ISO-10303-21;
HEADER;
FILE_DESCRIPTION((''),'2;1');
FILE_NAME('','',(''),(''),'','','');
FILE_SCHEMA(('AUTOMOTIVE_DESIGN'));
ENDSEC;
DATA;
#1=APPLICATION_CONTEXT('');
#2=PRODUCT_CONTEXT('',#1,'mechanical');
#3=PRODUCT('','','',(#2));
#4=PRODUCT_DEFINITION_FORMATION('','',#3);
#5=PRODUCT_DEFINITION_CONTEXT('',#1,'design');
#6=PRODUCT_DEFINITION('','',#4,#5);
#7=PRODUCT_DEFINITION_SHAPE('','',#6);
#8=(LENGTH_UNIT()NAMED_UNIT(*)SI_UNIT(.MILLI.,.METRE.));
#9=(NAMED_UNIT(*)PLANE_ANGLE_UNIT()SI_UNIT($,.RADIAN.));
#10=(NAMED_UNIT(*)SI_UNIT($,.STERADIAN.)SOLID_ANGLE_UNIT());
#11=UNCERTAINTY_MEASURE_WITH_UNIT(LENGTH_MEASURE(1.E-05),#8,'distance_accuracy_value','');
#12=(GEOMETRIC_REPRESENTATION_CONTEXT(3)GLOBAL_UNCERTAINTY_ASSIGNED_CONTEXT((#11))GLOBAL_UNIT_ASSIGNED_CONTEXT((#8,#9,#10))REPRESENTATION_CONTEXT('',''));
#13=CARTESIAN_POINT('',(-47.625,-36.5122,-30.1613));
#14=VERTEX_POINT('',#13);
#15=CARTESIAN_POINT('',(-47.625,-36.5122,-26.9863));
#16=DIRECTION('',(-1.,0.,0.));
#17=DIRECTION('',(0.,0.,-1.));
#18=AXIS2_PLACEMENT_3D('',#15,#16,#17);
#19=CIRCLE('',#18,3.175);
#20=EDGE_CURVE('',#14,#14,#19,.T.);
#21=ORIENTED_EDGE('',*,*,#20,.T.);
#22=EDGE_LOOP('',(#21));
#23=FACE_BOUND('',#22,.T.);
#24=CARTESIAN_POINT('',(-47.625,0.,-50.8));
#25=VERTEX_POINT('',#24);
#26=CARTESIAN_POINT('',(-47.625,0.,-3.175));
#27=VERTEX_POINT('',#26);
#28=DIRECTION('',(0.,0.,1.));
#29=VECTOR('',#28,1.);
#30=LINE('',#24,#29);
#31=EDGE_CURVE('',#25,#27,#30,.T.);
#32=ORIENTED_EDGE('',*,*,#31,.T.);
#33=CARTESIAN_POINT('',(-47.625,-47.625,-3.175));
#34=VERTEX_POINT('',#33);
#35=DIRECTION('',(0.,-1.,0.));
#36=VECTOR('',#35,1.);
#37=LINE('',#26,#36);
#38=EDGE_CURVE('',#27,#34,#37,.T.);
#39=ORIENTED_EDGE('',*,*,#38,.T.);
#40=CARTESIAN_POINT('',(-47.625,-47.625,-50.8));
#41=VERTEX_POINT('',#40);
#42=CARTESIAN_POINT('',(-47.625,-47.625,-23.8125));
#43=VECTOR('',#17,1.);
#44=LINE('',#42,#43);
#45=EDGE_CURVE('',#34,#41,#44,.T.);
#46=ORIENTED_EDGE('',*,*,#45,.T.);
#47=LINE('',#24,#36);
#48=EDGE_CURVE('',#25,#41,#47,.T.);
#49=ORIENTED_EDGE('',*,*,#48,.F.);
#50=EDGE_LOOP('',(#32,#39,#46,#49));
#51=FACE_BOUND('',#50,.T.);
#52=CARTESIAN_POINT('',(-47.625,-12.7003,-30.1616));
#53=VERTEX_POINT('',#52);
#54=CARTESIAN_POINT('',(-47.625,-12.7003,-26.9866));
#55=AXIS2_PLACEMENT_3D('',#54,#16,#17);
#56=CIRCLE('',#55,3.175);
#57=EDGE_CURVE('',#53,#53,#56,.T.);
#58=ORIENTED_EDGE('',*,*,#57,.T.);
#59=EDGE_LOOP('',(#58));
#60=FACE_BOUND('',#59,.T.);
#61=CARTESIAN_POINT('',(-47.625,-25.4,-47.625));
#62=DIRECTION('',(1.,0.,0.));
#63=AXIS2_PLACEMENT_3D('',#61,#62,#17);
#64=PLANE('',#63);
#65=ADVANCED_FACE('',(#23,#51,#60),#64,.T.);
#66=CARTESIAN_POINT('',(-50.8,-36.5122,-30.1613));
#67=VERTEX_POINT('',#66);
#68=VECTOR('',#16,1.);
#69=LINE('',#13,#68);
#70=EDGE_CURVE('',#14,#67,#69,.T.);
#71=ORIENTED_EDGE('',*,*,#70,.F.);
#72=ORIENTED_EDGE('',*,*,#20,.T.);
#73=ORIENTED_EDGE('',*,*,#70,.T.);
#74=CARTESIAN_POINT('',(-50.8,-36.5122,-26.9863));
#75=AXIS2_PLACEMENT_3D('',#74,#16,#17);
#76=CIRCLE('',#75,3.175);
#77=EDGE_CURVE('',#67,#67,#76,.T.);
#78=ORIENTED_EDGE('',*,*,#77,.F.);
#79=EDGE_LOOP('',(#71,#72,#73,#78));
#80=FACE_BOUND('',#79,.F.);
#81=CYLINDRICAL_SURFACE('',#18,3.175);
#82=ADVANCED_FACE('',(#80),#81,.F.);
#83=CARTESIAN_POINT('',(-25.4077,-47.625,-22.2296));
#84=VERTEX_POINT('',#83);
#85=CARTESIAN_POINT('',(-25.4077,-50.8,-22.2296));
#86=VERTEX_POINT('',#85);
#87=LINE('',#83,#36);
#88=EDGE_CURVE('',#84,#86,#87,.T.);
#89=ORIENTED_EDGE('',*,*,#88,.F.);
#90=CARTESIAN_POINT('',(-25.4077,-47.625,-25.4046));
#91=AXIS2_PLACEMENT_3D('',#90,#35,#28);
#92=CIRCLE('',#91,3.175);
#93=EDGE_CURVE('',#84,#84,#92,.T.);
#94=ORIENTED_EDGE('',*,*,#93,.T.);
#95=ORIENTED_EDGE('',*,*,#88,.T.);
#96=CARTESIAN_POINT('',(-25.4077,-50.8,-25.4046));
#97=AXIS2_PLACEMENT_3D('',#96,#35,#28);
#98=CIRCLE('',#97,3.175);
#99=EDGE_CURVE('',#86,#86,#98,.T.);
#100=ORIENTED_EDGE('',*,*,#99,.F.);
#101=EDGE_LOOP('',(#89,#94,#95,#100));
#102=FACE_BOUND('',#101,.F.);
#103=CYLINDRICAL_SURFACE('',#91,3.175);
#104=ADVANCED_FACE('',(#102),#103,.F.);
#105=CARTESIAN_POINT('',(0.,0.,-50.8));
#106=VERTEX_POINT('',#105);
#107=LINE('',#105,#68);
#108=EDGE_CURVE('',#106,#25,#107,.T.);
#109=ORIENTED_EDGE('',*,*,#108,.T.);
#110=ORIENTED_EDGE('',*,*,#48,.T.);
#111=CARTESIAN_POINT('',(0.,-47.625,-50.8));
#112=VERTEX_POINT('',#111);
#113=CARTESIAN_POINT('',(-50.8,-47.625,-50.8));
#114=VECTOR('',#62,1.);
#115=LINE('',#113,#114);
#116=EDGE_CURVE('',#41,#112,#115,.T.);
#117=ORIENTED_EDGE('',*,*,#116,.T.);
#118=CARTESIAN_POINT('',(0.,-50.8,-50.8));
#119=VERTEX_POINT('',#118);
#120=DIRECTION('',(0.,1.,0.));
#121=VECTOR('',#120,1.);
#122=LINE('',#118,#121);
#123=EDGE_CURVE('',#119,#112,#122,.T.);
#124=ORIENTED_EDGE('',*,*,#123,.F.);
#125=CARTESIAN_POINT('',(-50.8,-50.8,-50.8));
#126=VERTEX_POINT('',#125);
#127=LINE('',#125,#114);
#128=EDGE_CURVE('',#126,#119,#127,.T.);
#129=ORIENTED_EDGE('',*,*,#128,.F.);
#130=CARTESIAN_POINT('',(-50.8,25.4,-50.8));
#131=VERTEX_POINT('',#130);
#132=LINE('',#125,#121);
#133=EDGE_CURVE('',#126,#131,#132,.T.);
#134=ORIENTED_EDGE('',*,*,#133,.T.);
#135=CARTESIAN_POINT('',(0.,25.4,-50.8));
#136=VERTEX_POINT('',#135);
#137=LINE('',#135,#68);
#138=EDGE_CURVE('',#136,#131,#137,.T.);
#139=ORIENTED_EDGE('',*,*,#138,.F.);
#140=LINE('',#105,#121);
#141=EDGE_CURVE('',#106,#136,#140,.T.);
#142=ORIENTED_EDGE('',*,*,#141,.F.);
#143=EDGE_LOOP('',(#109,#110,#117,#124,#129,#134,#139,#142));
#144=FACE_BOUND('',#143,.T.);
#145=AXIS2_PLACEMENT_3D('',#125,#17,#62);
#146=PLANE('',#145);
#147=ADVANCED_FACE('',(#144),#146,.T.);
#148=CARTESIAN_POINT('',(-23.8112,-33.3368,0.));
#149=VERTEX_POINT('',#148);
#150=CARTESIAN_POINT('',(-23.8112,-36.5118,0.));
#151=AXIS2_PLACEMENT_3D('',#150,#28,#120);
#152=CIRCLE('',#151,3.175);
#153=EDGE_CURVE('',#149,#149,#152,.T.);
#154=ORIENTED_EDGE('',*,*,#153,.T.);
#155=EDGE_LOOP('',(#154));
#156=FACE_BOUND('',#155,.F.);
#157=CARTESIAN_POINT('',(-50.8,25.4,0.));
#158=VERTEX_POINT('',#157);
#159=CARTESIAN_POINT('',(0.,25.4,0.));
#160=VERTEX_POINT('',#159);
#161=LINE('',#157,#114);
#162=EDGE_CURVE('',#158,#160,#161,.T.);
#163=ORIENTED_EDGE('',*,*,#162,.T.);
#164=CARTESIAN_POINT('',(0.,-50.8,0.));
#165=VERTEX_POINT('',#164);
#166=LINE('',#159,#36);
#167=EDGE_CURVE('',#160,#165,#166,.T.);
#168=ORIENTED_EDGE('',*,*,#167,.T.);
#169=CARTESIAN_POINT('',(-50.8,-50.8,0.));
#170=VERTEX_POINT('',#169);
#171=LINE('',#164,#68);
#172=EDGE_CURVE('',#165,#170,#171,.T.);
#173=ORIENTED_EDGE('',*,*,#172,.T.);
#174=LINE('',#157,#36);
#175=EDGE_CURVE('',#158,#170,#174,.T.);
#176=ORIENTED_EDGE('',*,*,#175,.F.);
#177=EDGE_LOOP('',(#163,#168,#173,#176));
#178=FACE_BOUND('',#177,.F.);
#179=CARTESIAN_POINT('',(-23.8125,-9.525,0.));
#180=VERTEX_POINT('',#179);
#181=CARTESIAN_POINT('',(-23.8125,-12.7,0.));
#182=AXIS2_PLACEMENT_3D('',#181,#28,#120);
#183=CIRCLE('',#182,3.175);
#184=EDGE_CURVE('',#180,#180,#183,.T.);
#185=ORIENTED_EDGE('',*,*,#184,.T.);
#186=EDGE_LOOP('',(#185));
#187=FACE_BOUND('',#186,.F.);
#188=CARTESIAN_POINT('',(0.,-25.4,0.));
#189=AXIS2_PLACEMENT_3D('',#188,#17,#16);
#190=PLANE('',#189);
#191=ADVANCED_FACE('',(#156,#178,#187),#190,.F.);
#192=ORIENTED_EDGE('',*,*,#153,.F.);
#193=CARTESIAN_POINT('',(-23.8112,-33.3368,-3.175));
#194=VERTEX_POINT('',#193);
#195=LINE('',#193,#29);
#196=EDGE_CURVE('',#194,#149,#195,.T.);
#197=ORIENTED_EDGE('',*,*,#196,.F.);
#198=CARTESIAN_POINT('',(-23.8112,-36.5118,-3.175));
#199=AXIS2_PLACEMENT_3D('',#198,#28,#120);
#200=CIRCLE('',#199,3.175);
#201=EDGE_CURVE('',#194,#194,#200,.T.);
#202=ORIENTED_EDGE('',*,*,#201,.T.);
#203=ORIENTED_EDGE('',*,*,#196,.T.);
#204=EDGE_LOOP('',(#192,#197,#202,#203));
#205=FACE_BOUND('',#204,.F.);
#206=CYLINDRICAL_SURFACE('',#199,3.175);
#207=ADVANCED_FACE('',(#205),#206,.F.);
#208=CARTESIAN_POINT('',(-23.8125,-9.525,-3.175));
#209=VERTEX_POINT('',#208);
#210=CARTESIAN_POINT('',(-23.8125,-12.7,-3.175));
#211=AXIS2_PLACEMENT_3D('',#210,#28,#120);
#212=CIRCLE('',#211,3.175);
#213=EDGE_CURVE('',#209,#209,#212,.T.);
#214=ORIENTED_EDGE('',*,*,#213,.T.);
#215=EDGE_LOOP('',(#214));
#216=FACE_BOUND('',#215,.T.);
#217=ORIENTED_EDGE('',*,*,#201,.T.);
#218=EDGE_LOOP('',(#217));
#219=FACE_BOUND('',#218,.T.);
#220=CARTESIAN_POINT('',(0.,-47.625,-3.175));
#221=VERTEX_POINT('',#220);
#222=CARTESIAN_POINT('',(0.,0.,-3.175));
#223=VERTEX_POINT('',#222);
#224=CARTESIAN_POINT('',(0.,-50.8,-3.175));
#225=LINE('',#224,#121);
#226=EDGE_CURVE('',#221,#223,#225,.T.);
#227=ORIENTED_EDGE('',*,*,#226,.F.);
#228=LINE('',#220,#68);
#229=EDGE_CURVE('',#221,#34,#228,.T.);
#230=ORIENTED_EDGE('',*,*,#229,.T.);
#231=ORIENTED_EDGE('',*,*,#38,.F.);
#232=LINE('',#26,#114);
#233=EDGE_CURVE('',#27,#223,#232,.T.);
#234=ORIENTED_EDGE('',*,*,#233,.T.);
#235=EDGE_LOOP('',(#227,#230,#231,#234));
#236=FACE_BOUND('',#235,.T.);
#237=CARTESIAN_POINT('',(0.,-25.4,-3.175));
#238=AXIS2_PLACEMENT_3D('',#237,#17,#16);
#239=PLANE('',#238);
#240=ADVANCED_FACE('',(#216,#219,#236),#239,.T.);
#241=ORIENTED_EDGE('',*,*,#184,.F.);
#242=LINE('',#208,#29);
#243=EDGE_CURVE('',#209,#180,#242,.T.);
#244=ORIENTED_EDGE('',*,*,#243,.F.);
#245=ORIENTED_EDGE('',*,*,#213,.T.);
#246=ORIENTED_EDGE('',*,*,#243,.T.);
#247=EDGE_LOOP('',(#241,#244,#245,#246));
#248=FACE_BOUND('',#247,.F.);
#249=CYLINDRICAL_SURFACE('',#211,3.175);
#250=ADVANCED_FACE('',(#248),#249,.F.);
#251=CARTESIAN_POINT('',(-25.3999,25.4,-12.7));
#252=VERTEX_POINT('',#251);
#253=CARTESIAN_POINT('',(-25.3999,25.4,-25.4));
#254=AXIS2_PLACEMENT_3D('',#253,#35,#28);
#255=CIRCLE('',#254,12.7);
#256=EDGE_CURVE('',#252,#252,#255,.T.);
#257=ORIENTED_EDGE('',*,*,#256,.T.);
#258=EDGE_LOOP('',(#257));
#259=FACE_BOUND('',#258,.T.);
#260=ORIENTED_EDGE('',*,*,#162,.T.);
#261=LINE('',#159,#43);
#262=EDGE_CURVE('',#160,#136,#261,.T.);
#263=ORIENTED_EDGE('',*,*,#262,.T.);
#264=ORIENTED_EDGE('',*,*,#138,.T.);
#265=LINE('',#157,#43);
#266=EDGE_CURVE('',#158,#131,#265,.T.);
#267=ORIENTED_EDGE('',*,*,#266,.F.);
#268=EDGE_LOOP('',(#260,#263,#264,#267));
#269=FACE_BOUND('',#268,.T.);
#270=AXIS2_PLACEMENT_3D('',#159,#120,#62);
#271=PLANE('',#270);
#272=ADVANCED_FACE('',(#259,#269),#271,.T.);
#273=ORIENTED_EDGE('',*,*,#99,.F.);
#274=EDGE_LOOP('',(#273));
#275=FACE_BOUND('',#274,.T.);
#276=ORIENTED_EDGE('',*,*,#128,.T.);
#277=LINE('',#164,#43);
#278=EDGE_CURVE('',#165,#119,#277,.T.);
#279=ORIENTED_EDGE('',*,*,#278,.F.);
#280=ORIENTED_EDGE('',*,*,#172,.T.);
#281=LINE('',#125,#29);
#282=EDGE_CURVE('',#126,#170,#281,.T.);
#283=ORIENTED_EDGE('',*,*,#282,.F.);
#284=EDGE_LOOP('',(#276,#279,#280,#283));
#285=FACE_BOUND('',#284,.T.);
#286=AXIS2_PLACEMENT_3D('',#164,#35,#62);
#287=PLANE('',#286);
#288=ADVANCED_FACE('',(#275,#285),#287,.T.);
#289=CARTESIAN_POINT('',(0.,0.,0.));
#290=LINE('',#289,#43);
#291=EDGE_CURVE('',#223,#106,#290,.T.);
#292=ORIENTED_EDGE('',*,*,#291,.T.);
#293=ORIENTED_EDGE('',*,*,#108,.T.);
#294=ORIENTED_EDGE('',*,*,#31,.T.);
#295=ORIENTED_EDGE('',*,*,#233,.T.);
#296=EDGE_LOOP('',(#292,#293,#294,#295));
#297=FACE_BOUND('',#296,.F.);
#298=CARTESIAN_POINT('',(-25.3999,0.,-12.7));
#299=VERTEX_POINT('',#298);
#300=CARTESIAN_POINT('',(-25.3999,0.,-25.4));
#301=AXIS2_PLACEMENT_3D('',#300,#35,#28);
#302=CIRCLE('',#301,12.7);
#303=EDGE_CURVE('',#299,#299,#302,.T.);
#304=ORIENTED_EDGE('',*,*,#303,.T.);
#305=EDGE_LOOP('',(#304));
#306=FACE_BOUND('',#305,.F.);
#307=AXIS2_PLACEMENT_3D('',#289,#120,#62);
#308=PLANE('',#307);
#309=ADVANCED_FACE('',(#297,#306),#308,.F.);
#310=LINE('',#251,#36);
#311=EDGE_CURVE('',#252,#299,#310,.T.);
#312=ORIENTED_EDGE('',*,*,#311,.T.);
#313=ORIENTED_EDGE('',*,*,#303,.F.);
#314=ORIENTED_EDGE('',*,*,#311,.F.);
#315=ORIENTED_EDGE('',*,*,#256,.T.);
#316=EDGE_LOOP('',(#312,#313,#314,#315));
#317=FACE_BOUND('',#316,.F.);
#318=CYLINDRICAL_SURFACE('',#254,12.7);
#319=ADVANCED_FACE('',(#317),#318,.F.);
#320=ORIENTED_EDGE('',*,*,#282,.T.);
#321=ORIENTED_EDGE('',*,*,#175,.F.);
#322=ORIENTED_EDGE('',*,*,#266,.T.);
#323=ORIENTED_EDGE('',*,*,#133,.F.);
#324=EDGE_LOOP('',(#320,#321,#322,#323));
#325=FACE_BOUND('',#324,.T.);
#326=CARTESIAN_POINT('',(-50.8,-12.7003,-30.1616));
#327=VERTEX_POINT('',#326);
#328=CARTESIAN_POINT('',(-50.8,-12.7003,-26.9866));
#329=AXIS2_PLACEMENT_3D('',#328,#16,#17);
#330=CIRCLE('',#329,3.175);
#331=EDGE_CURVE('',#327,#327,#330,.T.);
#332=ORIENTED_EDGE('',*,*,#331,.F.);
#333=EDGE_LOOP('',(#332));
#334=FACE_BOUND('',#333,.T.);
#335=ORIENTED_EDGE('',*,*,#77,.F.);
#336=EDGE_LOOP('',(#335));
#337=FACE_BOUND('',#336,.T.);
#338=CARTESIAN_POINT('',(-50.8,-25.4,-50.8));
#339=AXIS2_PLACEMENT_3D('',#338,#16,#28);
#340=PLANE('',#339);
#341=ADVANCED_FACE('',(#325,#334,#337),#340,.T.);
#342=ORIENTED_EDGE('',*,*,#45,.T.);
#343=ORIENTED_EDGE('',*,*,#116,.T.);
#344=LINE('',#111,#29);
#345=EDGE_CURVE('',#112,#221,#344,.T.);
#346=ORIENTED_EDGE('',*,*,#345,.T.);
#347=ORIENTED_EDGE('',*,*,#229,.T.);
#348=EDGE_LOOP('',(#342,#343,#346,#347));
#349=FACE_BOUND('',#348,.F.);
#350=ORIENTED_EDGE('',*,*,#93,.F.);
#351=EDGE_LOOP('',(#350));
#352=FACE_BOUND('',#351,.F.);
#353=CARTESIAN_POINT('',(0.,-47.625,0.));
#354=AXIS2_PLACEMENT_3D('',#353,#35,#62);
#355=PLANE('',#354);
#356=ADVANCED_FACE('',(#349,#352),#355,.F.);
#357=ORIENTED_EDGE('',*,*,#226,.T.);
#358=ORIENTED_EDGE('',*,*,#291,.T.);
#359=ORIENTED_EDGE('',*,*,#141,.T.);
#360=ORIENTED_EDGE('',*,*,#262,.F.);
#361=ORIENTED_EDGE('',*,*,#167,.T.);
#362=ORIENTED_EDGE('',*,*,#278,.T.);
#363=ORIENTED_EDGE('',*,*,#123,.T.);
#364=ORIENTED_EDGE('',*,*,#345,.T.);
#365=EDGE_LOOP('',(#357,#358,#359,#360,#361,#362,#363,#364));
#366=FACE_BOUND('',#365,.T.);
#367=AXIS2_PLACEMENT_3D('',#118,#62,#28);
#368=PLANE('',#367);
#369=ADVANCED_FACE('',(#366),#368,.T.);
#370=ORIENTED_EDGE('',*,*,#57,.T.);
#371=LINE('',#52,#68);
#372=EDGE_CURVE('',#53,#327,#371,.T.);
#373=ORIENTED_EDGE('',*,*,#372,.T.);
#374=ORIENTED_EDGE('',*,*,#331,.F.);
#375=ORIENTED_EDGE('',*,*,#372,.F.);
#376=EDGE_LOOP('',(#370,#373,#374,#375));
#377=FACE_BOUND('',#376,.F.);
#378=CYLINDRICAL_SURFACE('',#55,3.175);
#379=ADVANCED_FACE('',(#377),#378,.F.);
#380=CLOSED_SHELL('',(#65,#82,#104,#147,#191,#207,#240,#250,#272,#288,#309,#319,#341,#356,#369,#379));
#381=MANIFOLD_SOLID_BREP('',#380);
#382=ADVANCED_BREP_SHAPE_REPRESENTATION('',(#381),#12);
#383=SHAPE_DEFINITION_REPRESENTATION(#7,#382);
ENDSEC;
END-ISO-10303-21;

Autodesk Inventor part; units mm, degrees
ref_plane "YZ Plane" through (0, 0, 0) normal (1, 0, 0) x (0, 1, 0)
ref_plane "XZ Plane" through (0, 0, 0) normal (0, 1, 0) x (-1, 0, 0)
ref_plane "XY Plane" through (0, 0, 0) normal (0, 0, 1) x (1, 0, 0)
sketch "Sketch1" plane through (0, 0, 0) normal (0, 1, 0) x (-1, 0, 0)
  line L0 (0, 0) -> (50.8, 0)
  line L1 (50.8, 0) -> (50.8, -50.8)
  line L2 (50.8, -50.8) -> (0, -50.8)
  line L3 (0, -50.8) -> (0, 0)
  line L4 (47.625, -3.175) -> (3.175, -3.175)
  line L5 (3.175, -3.175) -> (3.175, -47.625)
  line L6 (3.175, -47.625) -> (47.625, -47.625)
  line L7 (47.625, -47.625) -> (47.625, -3.175)
  line L8 (47.625, -47.625) -> (47.625, -50.8)
  line L9 (3.175, -3.175) -> (0, -3.175)
  dimension "d0" = 50.8
  dimension "d1" = 50.8
  dimension "d2" = 3.175
extrude "Extrusion1" add sketch "Sketch1" against normal blind 25.4 contours L0 L1 L2 L8 L7 L4 L9 L3
sketch "Sketch2" plane through (0, 0, 0) normal (0, 1, 0) x (1, 0, 0)
  line L0 (-50.8, 0) -> (-50.8, 50.8) projected
  line L1 (-50.8, 0) -> (0, 0)
  line L2 (0, 0) -> (0, 50.8)
  line L3 (0, 50.8) -> (-50.8, 50.8)
  line L4 (-50.8, 50.8) -> (-50.8, 0)
  dimension "d5" = 50.8
extrude "Extrusion2" add sketch "Sketch2" along normal blind 25.4
sketch "Sketch3" plane through (0, 25.4, 0) normal (0, 1, 0) x (1, 0, 0)
  line L0 (-50.8, 0) -> (-50.8, 50.8) construction
  line L1 (-50.8, 0) -> (0, 50.8) construction
  line L2 (0, 0) -> (-50.8, 0) construction
  line L3 (0, 0) -> (-50.8, 50.8) construction
  point P0 (-25.61, 25.3161)
sketch "Sketch4" plane through (0, 25.4, 0) normal (0, 1, 0) x (1, 0, 0)
  point P0 (0, 0)
  point P1 (-25.3999, 25.4)
hole "Hole1" at (-25.3999, 25.4, -25.4) direction (0, -1, 0) diameter 25.4 end through all
sketch "Sketch5" plane through (0, -25.4, -3.175) normal (0, 0, -1) x (-1, 0, 0)
  line L0 (0, 25.4) -> (0, 0) construction
  line L1 (47.625, 0) -> (0, 0) construction
  line L2 (0, 25.4) -> (47.625, 0) construction
  line L3 (0, 25.4) -> (47.625, 25.4) construction
  line L4 (0, 0) -> (47.625, 25.4) construction
sketch "Sketch6" plane through (0, -25.4, -3.175) normal (0, 0, -1) x (-1, 0, 0)
  point P0 (0, 25.4)
  point P1 (23.8125, 12.7)
hole "Hole2" at (-23.8125, -12.7, -3.175) direction (0, 0, 1) diameter 6.35 end through all
sketch "Sketch7" plane through (-47.625, -25.4, -3.175) normal (1, 0, 0) x (0, 0, -1)
  line L0 (47.625, 0) -> (0, 0) construction
  line L1 (0, 25.4) -> (0, 0) construction
  line L2 (47.625, 0) -> (0, 25.4) construction
  line L3 (47.625, 25.4) -> (47.625, 0) construction
  line L4 (0, 0) -> (47.625, 25.4) construction
  point P0 (-3.175, 25.4)
sketch "Sketch8" plane through (-47.625, -25.4, -3.175) normal (1, 0, 0) x (0, 0, -1)
  point P0 (-3.175, 25.4)
  point P1 (23.8116, 12.6997)
hole "Hole3" at (-47.625, -12.7003, -26.9866) direction (-1, 0, 0) diameter 6.35 end through all
sketch "Sketch9" plane through (0, -25.4, 0) normal (0, -1, 0) x (1, 0, 0)
  line L0 (-50.8, -50.8) -> (-50.8, 0) projected
  line L1 (0, 0) -> (-50.8, 0)
  line L2 (-50.8, 0) -> (-50.8, -50.8)
  line L3 (-50.8, -50.8) -> (0, -50.8)
  line L4 (0, -50.8) -> (0, 0)
  line L5 (-47.625, -3.175) -> (-3.175, -3.175)
  line L6 (-3.175, -3.175) -> (-3.175, -47.625)
  line L7 (-3.175, -47.625) -> (-47.625, -47.625)
  line L8 (-47.625, -47.625) -> (-47.625, -3.175)
  line L9 (0, -3.175) -> (-47.625, -3.175) projected
  line L10 (-3.175, -3.175) -> (0, -3.175)
  line L11 (-47.625, -47.625) -> (-47.625, -50.8)
  point P0 (-3.175, -3.175)
extrude "Extrusion3" add sketch "Sketch9" along normal blind 25.4 contours L0 L1 L4 L9 L5 L8 L11 L3
sketch "Sketch10" plane through (0, -50.8, 0) normal (0, -1, 0) x (1, 0, 0)
  line L0 (0, 0) -> (-50.8, 0)
  line L1 (-50.8, 0) -> (-50.8, -50.8)
  line L2 (-50.8, -50.8) -> (0, -50.8)
  line L3 (0, -50.8) -> (0, 0)
extrude "Extrusion4" add sketch "Sketch10" against normal blind 3.175
sketch "Sketch11" plane through (0, 0, -3.175) normal (0, 0, -1) x (-1, 0, 0)
  line L0 (47.625, 0) -> (47.625, -47.625) construction
  line L1 (47.625, -47.625) -> (0, -25.4001) construction
  line L2 (0, 0) -> (0, -47.625) construction
  line L3 (0, -47.625) -> (47.625, -47.625) construction
  line L4 (47.625, -25.4001) -> (0, -47.625) construction
sketch "Sketch12" plane through (0, 0, -3.175) normal (0, 0, -1) x (-1, 0, 0)
  point P0 (0, 0)
  point P1 (23.8112, -36.5118)
hole "Hole4" at (-23.8112, -36.5118, -3.175) direction (0, 0, 1) diameter 6.35 end through all
sketch "Sketch13" plane through (-47.625, 0, -3.175) normal (1, 0, 0) x (0, 0, -1)
  line L0 (0, 0) -> (0, -47.625) construction
  line L1 (0, -47.625) -> (47.625, -47.625) construction
  line L2 (0, -25.4031) -> (47.625, -47.625) construction
  line L3 (0, -47.625) -> (47.625, -25.4031) construction
  line L4 (47.625, 0) -> (47.625, -47.625) construction
  point P0 (-3.175, 0)
sketch "Sketch14" plane through (-47.625, 0, -3.175) normal (1, 0, 0) x (0, 0, -1)
  point P0 (-3.175, 0)
  point P1 (23.8113, -36.5122)
hole "Hole5" at (-47.625, -36.5122, -26.9863) direction (-1, 0, 0) diameter 6.35 end through all
sketch "Sketch15" plane through (0, -47.625, 0) normal (0, 1, 0) x (1, 0, 0)
  line L0 (-50.8, 0) -> (-50.8, 50.8) construction
  line L1 (0, 0) -> (-50.8, 50.8) construction
  line L2 (0, 0) -> (0, 50.8) construction
  line L3 (-50.8, 0) -> (0, 50.8) construction
sketch "Sketch16" plane through (0, -47.625, 0) normal (0, 1, 0) x (1, 0, 0)
  point P0 (0, 0)
  point P1 (-25.4077, 25.4046)
hole "Hole6" at (-25.4077, -47.625, -25.4046) direction (0, -1, 0) diameter 6.35 end through all
properties part number "Bearing Housing"
